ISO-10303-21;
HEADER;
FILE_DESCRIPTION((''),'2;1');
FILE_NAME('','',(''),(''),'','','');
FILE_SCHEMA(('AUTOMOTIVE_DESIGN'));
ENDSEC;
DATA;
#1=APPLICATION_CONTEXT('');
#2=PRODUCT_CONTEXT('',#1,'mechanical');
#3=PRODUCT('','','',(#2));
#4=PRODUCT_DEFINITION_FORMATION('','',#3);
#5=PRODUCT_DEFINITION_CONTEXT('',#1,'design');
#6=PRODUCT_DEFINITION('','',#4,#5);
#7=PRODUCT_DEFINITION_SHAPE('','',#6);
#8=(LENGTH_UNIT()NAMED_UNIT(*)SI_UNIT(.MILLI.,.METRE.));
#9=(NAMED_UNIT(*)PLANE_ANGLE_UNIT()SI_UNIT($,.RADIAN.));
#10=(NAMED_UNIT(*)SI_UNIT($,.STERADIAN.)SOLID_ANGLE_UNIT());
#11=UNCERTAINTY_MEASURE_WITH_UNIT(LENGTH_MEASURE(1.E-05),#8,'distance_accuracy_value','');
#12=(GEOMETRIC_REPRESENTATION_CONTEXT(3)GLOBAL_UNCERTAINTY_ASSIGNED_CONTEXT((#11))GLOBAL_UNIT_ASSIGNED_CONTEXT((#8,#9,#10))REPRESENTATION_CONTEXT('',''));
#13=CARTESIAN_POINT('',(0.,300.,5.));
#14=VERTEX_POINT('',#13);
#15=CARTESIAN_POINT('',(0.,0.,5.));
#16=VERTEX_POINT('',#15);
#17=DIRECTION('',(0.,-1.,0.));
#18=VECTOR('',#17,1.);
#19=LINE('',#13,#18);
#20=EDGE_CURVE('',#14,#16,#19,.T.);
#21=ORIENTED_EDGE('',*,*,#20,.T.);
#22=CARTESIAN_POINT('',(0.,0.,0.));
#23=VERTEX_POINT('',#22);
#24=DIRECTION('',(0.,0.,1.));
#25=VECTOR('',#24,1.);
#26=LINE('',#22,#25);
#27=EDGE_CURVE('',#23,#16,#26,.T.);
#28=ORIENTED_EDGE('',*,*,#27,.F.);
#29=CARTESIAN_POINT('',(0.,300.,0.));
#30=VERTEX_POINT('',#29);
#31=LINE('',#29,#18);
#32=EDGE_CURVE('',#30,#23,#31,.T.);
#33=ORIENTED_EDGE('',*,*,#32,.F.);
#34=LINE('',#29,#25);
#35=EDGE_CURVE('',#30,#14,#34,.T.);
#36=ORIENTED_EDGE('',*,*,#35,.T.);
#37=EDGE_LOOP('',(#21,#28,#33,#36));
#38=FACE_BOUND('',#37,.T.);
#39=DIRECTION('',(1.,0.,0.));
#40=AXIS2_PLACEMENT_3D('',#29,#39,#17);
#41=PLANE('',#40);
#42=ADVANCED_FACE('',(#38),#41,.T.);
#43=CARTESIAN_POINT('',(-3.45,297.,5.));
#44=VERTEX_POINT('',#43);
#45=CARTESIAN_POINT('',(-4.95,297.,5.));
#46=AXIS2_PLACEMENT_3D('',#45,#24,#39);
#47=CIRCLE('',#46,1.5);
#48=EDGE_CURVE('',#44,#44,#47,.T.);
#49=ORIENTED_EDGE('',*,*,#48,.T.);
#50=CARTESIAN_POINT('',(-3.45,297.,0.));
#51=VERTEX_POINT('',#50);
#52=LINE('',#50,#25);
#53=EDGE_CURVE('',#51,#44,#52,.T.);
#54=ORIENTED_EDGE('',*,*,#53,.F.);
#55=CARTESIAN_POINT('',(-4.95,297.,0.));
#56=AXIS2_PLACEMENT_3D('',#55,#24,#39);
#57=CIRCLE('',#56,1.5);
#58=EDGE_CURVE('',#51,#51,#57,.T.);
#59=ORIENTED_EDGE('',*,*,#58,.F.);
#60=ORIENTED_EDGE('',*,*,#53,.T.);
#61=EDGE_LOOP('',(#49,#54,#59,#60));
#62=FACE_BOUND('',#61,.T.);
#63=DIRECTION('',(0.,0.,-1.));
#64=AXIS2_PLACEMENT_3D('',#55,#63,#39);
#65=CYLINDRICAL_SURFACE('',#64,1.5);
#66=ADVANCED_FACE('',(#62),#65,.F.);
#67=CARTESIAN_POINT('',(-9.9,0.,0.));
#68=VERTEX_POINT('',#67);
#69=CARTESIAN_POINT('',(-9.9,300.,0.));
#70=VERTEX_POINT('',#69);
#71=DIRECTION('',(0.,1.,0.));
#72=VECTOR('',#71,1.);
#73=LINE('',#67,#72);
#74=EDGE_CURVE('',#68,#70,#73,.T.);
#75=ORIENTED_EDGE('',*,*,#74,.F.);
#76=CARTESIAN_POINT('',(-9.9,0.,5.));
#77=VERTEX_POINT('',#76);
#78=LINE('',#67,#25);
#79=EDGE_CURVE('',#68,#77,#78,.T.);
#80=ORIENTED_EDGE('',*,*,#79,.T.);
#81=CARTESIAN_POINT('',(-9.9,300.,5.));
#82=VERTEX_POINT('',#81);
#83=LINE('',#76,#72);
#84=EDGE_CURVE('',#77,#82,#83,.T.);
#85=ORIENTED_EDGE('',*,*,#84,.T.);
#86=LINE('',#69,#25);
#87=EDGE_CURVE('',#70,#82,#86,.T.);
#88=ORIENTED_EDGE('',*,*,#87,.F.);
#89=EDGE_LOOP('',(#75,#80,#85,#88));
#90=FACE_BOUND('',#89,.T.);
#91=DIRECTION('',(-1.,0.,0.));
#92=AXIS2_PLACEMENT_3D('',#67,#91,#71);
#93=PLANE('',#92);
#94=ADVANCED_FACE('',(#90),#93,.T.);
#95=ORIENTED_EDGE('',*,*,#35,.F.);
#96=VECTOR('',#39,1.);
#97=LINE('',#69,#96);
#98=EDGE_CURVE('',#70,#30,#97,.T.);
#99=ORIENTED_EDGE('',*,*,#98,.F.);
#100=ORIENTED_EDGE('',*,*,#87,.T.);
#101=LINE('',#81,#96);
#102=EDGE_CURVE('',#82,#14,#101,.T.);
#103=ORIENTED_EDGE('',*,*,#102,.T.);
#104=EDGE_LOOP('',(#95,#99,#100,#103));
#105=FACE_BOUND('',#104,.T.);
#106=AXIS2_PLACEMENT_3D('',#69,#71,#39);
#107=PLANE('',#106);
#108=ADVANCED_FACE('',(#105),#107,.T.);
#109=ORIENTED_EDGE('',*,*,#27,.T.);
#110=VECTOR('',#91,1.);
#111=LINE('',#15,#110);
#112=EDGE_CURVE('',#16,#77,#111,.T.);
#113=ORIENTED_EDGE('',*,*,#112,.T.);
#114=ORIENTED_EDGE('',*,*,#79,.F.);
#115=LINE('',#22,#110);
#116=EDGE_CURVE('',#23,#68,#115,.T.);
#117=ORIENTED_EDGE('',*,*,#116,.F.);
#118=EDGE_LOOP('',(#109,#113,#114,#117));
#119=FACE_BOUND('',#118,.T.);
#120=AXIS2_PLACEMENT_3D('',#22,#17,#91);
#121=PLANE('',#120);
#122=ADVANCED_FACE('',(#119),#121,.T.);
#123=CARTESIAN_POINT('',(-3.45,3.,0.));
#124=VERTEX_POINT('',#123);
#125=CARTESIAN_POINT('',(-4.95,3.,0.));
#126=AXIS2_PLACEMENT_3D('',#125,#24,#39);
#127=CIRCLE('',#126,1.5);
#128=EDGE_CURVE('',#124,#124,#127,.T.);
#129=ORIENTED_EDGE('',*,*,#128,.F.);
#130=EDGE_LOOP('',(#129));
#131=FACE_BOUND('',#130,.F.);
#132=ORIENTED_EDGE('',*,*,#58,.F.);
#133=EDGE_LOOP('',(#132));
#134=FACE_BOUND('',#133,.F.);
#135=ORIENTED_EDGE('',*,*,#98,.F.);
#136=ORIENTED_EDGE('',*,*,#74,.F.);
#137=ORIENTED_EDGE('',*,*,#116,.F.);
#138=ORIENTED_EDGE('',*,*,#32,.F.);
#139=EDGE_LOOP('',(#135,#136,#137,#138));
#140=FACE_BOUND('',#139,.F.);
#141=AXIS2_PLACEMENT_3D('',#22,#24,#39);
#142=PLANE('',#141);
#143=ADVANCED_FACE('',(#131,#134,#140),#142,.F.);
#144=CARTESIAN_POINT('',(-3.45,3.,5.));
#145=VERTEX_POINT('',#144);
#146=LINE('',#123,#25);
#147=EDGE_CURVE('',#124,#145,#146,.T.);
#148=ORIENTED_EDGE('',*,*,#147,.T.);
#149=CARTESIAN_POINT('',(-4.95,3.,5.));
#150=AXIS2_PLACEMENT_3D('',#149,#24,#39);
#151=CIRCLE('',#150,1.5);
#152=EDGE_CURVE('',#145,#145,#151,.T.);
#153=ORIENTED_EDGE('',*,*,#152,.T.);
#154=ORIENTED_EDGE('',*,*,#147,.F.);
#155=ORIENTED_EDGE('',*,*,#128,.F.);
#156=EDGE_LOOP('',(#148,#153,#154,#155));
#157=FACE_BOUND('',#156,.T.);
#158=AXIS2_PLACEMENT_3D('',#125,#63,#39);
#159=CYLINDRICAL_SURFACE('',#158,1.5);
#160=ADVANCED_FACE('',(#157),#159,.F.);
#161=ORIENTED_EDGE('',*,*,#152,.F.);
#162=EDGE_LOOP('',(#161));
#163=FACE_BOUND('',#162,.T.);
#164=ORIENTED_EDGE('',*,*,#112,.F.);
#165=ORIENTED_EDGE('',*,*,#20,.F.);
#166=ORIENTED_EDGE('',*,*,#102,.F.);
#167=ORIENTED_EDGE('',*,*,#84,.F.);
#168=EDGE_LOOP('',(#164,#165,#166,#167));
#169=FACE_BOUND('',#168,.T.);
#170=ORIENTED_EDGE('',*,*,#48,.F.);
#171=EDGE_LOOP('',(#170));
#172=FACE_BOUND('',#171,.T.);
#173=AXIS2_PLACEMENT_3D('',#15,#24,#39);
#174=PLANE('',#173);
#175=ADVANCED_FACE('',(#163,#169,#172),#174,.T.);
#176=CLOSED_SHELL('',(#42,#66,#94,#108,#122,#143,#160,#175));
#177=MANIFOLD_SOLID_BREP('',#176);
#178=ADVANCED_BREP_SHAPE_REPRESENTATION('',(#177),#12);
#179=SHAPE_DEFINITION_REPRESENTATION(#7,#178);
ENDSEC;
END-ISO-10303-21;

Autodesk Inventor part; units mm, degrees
ref_plane "YZ Plane" through (0, 0, 0) normal (1, 0, 0) x (0, 1, 0)
ref_plane "XZ Plane" through (0, 0, 0) normal (0, 1, 0) x (-1, 0, 0)
ref_plane "XY Plane" through (0, 0, 0) normal (0, 0, 1) x (1, 0, 0)
sketch "Sketch2" plane through (0, 0, 0) normal (0, 0, 1) x (1, 0, 0)
  circle A0 centre (-4.95, 3) radius 1.5
  line L0 (0, 0) -> (-9.9, 0)
  line L1 (-9.9, 0) -> (-9.9, 300)
  line L2 (-9.9, 300) -> (0, 300)
  line L3 (0, 300) -> (0, 0)
  circle A1 centre (-4.95, 297) radius 1.5
  dimension "d53" = 3
  dimension "d54" = 9.9
  dimension "d55" = 300
  dimension "d56" = 3
extrude "Extrusion7" add sketch "Sketch2" along normal blind 5
properties part number "Cube_Holder_SB_V1_(71mm)"
